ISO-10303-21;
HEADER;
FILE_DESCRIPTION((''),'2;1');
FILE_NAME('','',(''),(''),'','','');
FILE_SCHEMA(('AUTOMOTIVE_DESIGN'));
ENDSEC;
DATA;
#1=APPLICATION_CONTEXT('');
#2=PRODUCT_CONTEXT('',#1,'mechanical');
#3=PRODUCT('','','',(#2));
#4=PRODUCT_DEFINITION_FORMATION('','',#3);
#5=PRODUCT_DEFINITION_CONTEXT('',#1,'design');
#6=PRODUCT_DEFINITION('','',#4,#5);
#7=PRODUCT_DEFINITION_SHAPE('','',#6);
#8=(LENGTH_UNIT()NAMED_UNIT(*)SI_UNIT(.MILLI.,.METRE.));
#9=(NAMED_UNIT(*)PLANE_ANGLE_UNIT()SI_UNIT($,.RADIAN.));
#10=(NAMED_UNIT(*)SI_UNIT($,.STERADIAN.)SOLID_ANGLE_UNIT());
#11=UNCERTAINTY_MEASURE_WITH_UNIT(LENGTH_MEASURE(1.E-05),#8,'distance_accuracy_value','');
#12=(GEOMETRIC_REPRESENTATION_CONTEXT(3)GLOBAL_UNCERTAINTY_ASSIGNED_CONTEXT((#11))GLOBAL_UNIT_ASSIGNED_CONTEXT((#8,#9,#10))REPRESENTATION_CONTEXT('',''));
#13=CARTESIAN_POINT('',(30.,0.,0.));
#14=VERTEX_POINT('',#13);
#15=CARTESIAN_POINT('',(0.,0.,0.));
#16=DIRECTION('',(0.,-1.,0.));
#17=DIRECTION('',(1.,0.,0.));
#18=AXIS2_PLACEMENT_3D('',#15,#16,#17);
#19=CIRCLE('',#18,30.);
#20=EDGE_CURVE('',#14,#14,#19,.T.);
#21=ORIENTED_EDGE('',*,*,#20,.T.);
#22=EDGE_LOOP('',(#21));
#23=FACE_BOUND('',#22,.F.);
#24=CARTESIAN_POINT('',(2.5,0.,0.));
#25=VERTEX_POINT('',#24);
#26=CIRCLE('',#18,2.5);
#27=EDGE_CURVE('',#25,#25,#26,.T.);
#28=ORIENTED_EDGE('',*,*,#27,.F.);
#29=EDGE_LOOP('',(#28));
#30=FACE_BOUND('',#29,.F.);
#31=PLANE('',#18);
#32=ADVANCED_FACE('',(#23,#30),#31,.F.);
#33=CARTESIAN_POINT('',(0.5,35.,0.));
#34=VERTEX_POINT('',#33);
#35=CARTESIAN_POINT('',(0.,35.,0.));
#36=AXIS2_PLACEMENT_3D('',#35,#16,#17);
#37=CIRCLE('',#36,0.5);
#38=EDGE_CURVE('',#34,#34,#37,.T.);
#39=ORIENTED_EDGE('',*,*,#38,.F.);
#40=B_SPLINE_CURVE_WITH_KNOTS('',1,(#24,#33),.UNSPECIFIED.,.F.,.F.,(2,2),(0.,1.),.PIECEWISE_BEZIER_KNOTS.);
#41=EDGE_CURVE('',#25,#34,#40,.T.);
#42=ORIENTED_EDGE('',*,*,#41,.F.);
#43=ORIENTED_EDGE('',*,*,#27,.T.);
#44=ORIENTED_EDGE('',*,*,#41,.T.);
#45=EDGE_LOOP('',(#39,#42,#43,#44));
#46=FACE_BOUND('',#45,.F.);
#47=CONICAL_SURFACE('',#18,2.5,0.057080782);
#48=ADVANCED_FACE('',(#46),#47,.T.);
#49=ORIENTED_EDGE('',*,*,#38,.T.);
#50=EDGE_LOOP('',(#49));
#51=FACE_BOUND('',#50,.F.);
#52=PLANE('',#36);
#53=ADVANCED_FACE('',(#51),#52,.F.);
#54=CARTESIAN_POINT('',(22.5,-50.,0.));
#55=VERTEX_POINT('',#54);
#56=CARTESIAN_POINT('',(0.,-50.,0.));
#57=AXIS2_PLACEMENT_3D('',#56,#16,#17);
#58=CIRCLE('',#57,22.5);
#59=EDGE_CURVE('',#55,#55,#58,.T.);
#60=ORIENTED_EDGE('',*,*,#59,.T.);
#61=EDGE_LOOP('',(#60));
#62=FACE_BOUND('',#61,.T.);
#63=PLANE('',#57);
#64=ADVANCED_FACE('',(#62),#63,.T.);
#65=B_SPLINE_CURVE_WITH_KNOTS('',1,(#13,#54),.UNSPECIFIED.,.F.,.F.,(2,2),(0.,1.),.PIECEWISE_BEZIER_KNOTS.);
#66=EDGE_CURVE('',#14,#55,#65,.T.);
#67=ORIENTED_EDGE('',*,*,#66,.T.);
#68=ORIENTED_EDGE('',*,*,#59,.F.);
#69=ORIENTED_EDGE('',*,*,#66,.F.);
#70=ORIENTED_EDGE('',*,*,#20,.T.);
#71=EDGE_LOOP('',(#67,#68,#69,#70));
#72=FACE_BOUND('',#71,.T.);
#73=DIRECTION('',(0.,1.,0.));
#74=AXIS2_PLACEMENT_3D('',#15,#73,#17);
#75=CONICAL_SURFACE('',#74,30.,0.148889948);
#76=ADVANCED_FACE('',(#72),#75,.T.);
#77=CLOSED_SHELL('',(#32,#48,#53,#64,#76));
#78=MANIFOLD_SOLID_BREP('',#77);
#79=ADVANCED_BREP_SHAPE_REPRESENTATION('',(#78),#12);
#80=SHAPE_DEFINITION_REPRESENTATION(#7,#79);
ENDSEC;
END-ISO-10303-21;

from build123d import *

# Parameters (mm, degrees)
F0_R = 30
F2_R = 22.5
F4_R = 2.5
F6_R = 0.5


with BuildPart() as f3:
    # F0 (on Front) → F3 section 0
    with BuildSketch(Plane.XZ):
        Circle(F0_R)
    # F2 (on offset) → F3 section 1
    with BuildSketch(Plane.XZ.offset(50)):
        Circle(F2_R)
    loft()

    # F4 (on Front) → F7 section 0
    with BuildSketch(Plane.XZ):
        Circle(F4_R)
    # F6 (on offset) → F7 section 1
    with BuildSketch(Plane.XZ.offset(-35)):
        Circle(F6_R)
    loft()


solid = f3.part
